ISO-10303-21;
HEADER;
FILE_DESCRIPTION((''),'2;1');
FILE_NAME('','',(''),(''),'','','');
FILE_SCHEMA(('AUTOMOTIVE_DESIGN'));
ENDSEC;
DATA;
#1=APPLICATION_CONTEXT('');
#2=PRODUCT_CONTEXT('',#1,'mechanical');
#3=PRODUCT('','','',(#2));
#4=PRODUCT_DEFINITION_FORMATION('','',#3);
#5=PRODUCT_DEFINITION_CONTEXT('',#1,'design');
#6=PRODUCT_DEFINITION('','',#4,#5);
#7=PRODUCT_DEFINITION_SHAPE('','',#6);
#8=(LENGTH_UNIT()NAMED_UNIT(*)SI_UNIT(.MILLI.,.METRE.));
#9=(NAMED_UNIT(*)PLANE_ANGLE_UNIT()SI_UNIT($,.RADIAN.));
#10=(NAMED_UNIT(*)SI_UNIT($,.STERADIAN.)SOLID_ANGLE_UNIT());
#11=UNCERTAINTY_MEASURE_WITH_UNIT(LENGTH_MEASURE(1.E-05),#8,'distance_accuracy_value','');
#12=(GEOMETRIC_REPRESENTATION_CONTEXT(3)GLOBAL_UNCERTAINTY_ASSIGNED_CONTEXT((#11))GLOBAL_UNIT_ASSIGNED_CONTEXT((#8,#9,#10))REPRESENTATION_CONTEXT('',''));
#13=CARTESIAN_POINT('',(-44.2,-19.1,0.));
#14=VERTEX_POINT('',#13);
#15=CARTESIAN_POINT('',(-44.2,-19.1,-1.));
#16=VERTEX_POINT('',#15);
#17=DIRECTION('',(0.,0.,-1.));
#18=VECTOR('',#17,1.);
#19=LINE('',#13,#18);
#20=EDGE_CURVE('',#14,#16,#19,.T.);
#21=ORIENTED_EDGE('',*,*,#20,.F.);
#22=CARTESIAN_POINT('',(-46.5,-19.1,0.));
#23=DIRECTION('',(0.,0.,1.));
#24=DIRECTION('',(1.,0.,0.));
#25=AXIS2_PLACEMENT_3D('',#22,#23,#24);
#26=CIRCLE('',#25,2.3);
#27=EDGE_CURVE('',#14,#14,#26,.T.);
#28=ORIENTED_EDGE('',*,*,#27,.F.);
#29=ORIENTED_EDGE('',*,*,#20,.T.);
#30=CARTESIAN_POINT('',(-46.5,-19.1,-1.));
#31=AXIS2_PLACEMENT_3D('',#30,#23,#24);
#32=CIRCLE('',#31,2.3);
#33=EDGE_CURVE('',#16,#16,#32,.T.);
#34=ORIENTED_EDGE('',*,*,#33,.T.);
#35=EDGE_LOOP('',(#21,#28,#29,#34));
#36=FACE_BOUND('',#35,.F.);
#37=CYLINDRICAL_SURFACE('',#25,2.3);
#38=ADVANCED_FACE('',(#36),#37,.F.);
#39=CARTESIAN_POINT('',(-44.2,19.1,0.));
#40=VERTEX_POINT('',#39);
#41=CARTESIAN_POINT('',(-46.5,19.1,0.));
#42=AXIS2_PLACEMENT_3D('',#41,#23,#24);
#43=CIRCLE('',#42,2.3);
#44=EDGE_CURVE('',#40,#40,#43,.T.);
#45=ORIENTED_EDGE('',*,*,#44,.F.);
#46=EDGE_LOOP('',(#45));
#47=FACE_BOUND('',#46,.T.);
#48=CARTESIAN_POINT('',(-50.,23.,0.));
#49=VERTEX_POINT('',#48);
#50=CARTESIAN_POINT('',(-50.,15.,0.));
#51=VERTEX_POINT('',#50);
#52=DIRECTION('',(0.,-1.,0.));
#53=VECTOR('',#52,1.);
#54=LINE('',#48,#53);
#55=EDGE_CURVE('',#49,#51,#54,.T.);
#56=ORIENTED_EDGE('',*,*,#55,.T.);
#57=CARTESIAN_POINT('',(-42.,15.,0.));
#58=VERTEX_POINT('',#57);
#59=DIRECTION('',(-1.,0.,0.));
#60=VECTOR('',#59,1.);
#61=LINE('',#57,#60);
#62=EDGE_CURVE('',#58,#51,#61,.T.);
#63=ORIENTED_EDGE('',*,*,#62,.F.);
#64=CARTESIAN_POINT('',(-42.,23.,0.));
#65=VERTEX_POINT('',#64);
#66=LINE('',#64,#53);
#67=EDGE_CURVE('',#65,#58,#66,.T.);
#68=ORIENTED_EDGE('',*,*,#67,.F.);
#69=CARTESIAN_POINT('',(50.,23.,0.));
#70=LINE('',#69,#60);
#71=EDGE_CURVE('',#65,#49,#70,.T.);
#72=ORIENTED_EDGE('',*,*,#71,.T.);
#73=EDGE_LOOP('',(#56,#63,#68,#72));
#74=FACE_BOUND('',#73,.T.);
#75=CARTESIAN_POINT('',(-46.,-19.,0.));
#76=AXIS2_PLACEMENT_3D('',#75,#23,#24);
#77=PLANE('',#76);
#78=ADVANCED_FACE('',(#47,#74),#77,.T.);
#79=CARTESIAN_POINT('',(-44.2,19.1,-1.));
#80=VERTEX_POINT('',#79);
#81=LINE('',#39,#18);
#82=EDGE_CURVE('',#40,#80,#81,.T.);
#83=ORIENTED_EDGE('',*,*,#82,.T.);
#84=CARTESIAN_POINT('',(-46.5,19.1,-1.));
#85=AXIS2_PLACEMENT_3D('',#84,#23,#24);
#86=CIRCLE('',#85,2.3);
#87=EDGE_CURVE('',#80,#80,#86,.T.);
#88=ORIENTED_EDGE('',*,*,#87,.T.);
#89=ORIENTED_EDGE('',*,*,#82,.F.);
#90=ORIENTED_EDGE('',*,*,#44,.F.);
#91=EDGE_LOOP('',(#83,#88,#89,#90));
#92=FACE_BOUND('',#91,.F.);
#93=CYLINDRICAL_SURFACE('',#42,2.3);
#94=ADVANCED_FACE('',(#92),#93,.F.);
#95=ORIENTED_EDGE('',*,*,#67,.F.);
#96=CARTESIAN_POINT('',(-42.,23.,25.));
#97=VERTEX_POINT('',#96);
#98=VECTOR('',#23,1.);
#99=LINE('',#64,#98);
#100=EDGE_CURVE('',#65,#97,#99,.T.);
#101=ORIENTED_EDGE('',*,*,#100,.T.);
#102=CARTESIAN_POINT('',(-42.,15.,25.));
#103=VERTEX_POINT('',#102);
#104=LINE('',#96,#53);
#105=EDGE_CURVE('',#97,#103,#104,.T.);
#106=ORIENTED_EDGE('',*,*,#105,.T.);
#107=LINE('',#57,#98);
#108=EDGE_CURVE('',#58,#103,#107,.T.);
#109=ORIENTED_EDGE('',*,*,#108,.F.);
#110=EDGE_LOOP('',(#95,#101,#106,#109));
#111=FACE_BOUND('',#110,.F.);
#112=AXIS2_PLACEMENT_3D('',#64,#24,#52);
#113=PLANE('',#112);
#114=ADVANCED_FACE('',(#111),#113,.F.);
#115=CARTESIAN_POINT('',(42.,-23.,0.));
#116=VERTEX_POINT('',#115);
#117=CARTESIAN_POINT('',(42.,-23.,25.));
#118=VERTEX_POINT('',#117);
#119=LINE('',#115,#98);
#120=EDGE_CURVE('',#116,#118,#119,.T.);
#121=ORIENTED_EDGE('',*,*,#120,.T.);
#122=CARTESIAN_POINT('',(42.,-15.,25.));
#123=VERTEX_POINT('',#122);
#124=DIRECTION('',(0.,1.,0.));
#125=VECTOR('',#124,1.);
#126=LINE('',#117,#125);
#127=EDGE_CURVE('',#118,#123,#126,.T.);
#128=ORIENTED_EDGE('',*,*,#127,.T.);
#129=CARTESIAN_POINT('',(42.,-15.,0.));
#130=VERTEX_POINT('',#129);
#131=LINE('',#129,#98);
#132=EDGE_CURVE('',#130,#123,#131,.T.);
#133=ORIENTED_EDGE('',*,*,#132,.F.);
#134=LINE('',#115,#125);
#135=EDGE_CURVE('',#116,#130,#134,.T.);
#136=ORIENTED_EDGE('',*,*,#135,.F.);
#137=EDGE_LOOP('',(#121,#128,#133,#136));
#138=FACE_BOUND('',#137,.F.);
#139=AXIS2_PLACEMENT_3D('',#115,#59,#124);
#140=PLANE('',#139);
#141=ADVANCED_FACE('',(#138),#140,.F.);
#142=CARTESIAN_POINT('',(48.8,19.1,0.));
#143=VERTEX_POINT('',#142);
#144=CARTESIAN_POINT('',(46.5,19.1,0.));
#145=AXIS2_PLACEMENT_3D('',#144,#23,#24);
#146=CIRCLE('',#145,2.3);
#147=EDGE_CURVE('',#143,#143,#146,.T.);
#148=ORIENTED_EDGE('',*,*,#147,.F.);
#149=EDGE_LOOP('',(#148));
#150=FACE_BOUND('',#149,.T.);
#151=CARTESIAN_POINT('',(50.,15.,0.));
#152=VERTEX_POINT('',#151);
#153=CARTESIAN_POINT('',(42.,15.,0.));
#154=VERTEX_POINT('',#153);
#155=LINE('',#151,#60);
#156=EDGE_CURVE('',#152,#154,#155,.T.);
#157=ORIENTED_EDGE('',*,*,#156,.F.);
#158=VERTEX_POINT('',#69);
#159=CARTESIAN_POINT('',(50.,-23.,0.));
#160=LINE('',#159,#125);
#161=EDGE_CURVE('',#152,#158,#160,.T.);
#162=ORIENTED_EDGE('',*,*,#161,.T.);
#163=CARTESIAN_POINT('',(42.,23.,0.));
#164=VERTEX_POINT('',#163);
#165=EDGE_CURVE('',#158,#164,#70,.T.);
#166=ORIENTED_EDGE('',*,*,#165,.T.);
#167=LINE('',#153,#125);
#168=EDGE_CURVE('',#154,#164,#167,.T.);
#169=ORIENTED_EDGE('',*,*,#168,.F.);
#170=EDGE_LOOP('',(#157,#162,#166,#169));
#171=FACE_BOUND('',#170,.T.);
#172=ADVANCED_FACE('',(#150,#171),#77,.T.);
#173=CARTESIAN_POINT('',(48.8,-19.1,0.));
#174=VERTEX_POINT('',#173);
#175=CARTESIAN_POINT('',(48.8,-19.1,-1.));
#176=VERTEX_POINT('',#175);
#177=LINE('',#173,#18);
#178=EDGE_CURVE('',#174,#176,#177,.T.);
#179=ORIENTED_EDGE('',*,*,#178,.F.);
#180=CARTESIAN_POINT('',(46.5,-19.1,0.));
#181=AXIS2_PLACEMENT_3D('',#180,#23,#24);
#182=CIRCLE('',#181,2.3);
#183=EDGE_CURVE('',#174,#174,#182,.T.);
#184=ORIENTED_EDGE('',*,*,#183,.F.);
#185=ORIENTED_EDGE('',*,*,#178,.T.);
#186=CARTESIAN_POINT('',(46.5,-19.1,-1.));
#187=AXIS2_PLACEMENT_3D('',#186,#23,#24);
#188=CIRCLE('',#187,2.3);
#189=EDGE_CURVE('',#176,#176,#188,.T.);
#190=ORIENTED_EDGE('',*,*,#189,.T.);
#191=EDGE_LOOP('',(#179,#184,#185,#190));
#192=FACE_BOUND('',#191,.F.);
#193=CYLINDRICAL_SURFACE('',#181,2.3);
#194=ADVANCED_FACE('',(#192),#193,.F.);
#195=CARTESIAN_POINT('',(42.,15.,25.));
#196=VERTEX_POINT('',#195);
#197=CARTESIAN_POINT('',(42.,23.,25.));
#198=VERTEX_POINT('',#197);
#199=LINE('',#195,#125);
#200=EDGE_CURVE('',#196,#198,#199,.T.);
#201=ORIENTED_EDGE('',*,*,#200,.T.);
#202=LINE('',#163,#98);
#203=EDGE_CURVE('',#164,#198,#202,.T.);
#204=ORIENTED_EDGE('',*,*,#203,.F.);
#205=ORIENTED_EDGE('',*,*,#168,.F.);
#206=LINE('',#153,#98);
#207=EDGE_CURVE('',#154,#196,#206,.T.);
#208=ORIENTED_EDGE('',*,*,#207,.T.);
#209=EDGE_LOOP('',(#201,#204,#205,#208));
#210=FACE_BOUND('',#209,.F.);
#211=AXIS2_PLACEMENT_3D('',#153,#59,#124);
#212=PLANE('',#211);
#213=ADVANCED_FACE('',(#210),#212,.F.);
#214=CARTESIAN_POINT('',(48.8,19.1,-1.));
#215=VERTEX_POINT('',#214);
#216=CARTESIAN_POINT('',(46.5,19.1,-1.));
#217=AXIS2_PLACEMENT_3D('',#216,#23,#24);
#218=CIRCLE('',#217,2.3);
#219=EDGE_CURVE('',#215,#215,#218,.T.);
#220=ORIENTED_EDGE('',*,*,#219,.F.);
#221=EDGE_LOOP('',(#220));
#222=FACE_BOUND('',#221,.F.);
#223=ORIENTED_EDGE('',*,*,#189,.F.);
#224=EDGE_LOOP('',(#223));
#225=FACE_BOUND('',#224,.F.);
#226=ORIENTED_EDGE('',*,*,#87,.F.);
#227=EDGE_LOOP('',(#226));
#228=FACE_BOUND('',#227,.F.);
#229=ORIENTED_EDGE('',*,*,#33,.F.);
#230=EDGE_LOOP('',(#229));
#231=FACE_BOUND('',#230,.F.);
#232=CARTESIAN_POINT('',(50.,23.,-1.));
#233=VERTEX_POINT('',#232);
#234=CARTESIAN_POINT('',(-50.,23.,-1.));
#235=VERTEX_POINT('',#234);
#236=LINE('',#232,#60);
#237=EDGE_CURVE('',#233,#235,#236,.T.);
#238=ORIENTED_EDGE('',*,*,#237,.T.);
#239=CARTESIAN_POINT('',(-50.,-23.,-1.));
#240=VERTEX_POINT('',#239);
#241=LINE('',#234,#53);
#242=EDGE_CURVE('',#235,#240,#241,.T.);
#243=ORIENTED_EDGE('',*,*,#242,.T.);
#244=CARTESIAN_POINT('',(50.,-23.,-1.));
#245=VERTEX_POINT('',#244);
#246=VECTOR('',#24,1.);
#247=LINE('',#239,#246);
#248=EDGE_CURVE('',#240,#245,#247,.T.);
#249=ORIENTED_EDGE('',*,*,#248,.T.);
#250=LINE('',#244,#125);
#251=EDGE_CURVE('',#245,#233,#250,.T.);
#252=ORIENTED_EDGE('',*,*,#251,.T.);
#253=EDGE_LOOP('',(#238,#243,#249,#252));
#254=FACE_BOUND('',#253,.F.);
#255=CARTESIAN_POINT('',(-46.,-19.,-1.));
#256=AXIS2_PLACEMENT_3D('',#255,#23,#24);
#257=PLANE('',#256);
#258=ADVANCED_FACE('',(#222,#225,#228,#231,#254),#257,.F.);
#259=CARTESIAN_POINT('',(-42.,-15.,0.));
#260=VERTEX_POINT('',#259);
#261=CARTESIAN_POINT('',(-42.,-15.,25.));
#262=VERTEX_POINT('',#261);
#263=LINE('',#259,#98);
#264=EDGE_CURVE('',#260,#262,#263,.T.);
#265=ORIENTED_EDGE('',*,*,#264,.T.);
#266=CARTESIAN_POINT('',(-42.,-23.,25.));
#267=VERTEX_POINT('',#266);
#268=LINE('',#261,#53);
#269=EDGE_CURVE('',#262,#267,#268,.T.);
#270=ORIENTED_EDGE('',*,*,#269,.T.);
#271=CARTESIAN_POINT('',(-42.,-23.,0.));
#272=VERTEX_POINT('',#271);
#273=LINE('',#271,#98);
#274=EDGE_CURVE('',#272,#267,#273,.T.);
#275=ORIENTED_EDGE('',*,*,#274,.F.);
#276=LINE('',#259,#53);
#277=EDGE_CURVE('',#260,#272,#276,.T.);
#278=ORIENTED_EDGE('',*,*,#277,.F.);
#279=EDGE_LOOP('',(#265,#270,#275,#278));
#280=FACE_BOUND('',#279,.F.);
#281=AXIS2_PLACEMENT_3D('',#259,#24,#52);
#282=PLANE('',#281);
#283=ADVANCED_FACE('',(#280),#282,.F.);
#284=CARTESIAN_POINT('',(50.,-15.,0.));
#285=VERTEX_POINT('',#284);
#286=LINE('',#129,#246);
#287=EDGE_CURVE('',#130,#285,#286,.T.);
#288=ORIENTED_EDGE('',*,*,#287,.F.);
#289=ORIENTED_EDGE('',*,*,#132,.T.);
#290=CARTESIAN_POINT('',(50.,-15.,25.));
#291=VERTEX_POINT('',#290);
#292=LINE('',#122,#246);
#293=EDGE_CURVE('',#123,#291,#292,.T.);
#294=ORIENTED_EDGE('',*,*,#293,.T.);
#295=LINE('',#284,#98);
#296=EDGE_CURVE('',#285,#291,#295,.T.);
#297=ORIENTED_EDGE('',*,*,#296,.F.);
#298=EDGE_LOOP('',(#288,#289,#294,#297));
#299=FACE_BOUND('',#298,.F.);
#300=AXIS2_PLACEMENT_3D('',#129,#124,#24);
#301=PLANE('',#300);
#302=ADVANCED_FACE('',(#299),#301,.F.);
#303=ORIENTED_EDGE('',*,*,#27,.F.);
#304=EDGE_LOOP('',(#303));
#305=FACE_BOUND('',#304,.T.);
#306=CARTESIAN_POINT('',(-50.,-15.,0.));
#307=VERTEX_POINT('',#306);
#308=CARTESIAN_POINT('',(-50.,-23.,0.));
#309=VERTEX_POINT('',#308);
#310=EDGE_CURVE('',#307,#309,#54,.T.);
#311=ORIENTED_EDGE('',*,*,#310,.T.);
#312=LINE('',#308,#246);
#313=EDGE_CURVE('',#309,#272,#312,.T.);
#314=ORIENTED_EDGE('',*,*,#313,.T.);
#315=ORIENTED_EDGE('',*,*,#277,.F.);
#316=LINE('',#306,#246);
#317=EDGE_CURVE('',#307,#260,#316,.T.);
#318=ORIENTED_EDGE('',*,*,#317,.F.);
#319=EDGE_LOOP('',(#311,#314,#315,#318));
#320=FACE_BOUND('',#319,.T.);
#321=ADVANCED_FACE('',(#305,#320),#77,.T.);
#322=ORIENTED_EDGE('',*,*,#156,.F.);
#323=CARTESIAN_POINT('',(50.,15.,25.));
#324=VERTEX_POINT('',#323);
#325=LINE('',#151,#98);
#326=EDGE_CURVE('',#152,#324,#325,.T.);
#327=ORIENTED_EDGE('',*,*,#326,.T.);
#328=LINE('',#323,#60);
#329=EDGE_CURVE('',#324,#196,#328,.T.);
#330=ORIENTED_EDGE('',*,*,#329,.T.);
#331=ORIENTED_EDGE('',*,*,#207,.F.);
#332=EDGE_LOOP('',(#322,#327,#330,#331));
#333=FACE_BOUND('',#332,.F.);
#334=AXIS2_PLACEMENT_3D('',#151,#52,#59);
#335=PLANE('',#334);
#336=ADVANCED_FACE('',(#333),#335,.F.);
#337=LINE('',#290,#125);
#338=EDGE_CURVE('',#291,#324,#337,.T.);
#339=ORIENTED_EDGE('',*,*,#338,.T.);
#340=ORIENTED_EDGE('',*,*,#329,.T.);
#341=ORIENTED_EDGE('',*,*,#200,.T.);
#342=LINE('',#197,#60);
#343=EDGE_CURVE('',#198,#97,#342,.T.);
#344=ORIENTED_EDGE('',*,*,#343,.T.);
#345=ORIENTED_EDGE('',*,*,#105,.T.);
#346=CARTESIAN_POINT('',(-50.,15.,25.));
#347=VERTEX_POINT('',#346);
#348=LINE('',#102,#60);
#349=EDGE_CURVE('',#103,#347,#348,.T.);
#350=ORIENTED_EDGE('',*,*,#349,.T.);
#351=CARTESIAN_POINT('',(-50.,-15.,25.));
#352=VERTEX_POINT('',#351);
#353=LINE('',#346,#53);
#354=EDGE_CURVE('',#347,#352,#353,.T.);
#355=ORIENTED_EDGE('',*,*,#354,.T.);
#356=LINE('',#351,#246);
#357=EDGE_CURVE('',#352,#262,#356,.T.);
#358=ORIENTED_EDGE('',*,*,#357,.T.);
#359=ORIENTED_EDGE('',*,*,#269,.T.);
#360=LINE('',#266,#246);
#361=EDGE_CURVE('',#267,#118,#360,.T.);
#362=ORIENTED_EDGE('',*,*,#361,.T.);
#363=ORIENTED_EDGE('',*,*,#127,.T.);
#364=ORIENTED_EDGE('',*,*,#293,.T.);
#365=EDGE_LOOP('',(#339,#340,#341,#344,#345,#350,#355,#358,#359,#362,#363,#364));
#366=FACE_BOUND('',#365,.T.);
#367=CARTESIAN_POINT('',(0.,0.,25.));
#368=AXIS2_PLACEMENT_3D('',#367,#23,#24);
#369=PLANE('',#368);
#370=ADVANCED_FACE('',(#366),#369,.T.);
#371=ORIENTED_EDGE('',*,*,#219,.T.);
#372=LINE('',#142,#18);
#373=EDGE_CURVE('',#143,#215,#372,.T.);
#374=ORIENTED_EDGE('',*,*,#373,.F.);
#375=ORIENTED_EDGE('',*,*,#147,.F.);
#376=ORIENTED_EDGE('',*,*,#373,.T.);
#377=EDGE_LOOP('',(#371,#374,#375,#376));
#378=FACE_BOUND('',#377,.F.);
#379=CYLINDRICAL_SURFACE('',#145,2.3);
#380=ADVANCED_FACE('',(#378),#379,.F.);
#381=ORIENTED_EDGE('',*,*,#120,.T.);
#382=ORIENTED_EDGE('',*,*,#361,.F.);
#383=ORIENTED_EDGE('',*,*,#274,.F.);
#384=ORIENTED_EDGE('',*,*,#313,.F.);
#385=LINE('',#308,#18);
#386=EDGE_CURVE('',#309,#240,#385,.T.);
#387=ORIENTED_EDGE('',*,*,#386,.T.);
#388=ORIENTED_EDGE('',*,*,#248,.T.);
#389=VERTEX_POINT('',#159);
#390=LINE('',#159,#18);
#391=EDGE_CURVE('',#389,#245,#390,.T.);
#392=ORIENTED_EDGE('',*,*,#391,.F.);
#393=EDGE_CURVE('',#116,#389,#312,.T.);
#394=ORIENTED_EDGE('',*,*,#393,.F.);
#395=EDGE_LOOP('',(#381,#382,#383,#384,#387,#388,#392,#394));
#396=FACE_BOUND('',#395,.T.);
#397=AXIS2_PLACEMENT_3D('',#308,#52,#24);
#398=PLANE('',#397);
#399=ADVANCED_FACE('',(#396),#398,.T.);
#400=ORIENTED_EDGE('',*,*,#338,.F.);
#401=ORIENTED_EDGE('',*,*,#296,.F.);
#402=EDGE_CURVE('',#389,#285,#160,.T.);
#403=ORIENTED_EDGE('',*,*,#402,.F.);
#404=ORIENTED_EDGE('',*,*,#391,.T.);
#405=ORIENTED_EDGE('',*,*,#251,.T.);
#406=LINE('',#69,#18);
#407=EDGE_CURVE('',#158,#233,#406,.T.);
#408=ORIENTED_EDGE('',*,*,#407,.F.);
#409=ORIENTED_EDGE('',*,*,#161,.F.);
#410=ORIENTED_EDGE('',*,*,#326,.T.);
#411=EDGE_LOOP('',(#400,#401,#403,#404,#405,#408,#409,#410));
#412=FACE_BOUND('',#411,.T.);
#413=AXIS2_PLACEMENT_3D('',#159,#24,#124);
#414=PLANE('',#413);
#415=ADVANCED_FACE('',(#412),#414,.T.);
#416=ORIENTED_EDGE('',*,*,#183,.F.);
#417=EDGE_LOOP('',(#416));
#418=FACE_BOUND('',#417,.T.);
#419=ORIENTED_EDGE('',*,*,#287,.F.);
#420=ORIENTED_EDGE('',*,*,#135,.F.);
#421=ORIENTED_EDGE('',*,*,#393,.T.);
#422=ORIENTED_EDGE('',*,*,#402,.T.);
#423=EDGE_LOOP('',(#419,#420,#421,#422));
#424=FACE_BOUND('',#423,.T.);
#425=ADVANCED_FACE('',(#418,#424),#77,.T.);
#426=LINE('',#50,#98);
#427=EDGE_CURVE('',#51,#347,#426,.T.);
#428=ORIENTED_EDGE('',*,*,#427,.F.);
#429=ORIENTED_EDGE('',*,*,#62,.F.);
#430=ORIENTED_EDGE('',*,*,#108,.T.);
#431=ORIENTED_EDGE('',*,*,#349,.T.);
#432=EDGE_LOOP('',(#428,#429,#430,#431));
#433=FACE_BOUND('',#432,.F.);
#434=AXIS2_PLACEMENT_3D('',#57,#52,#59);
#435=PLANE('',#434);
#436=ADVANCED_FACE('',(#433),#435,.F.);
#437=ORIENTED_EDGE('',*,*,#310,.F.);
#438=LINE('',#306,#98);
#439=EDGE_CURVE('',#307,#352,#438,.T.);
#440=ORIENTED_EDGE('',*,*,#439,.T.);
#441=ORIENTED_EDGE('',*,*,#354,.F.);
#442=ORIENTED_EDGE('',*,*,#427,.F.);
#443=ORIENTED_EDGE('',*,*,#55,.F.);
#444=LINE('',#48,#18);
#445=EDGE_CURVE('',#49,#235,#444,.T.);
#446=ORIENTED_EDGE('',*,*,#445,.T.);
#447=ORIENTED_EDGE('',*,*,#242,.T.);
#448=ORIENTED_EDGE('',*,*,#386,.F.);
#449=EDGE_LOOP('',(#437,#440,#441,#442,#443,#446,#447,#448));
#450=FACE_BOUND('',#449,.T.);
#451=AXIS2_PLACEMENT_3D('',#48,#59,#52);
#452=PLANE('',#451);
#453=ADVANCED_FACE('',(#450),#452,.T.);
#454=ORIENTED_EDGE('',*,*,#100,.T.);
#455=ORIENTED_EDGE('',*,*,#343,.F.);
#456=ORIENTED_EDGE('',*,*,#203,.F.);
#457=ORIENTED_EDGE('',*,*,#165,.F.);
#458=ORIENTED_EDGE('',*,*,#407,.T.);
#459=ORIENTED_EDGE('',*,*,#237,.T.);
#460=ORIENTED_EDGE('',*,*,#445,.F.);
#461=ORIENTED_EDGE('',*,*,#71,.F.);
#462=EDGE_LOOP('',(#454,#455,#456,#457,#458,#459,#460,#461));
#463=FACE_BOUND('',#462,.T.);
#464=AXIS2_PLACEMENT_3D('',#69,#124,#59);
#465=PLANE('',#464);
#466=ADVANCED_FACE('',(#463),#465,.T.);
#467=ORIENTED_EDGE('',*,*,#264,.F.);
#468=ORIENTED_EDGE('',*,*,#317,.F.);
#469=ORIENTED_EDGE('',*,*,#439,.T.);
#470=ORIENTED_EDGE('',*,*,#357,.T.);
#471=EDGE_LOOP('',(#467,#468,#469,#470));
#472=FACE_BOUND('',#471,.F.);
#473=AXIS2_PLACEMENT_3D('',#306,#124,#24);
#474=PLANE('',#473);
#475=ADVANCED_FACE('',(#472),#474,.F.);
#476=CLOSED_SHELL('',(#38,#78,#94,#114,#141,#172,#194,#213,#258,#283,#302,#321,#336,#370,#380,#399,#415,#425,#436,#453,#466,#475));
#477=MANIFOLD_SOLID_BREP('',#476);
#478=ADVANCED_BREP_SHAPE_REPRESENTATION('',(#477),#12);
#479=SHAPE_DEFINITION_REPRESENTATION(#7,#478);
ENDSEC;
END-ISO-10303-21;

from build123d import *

# Parameters (mm, degrees)
F1_DEPTH = 25
F0_W     = 8
F0_H     = 8
F2_DEPTH = 1
F3_R     = 2.3
F4_DEPTH = 25


with BuildPart() as f1:
    # F0 (on Top) → F1 (new body)
    with BuildSketch(Plane.XY):
        Polygon((42, 23), (-42, 23), (-42, 15), (-50, 15), (-50, -15), (-42, -15), (-42, -23), (42, -23), (42, -15), (50, -15), (50, 15), (42, 15), align=None)
    extrude(amount=F1_DEPTH)

    # F0 (on Top) → F2 (join)
    with BuildSketch(Plane.XY):
        with Locations((-46, -19)):
            Rectangle(F0_W, F0_H)
        with Locations((-46, 19)):
            Rectangle(F0_W, F0_H)
        with Locations((46, 19)):
            Rectangle(F0_W, F0_H)
        with Locations((46, -19)):
            Rectangle(F0_W, F0_H)
        Polygon((42, 23), (-42, 23), (-42, 15), (-50, 15), (-50, -15), (-42, -15), (-42, -23), (42, -23), (42, -15), (50, -15), (50, 15), (42, 15), align=None)
    extrude(amount=-F2_DEPTH)

    # F3 (on Top) → F4 (cut)
    with BuildSketch(Plane.XY):
        with Locations((-46.5, -19.1)):
            Circle(F3_R)
        with Locations((46.5, -19.1)):
            Circle(F3_R)
        with Locations((-46.5, 19.1)):
            Circle(F3_R)
        with Locations((46.5, 19.1)):
            Circle(F3_R)
    extrude(amount=-F4_DEPTH, mode=Mode.SUBTRACT)


solid = f1.part
